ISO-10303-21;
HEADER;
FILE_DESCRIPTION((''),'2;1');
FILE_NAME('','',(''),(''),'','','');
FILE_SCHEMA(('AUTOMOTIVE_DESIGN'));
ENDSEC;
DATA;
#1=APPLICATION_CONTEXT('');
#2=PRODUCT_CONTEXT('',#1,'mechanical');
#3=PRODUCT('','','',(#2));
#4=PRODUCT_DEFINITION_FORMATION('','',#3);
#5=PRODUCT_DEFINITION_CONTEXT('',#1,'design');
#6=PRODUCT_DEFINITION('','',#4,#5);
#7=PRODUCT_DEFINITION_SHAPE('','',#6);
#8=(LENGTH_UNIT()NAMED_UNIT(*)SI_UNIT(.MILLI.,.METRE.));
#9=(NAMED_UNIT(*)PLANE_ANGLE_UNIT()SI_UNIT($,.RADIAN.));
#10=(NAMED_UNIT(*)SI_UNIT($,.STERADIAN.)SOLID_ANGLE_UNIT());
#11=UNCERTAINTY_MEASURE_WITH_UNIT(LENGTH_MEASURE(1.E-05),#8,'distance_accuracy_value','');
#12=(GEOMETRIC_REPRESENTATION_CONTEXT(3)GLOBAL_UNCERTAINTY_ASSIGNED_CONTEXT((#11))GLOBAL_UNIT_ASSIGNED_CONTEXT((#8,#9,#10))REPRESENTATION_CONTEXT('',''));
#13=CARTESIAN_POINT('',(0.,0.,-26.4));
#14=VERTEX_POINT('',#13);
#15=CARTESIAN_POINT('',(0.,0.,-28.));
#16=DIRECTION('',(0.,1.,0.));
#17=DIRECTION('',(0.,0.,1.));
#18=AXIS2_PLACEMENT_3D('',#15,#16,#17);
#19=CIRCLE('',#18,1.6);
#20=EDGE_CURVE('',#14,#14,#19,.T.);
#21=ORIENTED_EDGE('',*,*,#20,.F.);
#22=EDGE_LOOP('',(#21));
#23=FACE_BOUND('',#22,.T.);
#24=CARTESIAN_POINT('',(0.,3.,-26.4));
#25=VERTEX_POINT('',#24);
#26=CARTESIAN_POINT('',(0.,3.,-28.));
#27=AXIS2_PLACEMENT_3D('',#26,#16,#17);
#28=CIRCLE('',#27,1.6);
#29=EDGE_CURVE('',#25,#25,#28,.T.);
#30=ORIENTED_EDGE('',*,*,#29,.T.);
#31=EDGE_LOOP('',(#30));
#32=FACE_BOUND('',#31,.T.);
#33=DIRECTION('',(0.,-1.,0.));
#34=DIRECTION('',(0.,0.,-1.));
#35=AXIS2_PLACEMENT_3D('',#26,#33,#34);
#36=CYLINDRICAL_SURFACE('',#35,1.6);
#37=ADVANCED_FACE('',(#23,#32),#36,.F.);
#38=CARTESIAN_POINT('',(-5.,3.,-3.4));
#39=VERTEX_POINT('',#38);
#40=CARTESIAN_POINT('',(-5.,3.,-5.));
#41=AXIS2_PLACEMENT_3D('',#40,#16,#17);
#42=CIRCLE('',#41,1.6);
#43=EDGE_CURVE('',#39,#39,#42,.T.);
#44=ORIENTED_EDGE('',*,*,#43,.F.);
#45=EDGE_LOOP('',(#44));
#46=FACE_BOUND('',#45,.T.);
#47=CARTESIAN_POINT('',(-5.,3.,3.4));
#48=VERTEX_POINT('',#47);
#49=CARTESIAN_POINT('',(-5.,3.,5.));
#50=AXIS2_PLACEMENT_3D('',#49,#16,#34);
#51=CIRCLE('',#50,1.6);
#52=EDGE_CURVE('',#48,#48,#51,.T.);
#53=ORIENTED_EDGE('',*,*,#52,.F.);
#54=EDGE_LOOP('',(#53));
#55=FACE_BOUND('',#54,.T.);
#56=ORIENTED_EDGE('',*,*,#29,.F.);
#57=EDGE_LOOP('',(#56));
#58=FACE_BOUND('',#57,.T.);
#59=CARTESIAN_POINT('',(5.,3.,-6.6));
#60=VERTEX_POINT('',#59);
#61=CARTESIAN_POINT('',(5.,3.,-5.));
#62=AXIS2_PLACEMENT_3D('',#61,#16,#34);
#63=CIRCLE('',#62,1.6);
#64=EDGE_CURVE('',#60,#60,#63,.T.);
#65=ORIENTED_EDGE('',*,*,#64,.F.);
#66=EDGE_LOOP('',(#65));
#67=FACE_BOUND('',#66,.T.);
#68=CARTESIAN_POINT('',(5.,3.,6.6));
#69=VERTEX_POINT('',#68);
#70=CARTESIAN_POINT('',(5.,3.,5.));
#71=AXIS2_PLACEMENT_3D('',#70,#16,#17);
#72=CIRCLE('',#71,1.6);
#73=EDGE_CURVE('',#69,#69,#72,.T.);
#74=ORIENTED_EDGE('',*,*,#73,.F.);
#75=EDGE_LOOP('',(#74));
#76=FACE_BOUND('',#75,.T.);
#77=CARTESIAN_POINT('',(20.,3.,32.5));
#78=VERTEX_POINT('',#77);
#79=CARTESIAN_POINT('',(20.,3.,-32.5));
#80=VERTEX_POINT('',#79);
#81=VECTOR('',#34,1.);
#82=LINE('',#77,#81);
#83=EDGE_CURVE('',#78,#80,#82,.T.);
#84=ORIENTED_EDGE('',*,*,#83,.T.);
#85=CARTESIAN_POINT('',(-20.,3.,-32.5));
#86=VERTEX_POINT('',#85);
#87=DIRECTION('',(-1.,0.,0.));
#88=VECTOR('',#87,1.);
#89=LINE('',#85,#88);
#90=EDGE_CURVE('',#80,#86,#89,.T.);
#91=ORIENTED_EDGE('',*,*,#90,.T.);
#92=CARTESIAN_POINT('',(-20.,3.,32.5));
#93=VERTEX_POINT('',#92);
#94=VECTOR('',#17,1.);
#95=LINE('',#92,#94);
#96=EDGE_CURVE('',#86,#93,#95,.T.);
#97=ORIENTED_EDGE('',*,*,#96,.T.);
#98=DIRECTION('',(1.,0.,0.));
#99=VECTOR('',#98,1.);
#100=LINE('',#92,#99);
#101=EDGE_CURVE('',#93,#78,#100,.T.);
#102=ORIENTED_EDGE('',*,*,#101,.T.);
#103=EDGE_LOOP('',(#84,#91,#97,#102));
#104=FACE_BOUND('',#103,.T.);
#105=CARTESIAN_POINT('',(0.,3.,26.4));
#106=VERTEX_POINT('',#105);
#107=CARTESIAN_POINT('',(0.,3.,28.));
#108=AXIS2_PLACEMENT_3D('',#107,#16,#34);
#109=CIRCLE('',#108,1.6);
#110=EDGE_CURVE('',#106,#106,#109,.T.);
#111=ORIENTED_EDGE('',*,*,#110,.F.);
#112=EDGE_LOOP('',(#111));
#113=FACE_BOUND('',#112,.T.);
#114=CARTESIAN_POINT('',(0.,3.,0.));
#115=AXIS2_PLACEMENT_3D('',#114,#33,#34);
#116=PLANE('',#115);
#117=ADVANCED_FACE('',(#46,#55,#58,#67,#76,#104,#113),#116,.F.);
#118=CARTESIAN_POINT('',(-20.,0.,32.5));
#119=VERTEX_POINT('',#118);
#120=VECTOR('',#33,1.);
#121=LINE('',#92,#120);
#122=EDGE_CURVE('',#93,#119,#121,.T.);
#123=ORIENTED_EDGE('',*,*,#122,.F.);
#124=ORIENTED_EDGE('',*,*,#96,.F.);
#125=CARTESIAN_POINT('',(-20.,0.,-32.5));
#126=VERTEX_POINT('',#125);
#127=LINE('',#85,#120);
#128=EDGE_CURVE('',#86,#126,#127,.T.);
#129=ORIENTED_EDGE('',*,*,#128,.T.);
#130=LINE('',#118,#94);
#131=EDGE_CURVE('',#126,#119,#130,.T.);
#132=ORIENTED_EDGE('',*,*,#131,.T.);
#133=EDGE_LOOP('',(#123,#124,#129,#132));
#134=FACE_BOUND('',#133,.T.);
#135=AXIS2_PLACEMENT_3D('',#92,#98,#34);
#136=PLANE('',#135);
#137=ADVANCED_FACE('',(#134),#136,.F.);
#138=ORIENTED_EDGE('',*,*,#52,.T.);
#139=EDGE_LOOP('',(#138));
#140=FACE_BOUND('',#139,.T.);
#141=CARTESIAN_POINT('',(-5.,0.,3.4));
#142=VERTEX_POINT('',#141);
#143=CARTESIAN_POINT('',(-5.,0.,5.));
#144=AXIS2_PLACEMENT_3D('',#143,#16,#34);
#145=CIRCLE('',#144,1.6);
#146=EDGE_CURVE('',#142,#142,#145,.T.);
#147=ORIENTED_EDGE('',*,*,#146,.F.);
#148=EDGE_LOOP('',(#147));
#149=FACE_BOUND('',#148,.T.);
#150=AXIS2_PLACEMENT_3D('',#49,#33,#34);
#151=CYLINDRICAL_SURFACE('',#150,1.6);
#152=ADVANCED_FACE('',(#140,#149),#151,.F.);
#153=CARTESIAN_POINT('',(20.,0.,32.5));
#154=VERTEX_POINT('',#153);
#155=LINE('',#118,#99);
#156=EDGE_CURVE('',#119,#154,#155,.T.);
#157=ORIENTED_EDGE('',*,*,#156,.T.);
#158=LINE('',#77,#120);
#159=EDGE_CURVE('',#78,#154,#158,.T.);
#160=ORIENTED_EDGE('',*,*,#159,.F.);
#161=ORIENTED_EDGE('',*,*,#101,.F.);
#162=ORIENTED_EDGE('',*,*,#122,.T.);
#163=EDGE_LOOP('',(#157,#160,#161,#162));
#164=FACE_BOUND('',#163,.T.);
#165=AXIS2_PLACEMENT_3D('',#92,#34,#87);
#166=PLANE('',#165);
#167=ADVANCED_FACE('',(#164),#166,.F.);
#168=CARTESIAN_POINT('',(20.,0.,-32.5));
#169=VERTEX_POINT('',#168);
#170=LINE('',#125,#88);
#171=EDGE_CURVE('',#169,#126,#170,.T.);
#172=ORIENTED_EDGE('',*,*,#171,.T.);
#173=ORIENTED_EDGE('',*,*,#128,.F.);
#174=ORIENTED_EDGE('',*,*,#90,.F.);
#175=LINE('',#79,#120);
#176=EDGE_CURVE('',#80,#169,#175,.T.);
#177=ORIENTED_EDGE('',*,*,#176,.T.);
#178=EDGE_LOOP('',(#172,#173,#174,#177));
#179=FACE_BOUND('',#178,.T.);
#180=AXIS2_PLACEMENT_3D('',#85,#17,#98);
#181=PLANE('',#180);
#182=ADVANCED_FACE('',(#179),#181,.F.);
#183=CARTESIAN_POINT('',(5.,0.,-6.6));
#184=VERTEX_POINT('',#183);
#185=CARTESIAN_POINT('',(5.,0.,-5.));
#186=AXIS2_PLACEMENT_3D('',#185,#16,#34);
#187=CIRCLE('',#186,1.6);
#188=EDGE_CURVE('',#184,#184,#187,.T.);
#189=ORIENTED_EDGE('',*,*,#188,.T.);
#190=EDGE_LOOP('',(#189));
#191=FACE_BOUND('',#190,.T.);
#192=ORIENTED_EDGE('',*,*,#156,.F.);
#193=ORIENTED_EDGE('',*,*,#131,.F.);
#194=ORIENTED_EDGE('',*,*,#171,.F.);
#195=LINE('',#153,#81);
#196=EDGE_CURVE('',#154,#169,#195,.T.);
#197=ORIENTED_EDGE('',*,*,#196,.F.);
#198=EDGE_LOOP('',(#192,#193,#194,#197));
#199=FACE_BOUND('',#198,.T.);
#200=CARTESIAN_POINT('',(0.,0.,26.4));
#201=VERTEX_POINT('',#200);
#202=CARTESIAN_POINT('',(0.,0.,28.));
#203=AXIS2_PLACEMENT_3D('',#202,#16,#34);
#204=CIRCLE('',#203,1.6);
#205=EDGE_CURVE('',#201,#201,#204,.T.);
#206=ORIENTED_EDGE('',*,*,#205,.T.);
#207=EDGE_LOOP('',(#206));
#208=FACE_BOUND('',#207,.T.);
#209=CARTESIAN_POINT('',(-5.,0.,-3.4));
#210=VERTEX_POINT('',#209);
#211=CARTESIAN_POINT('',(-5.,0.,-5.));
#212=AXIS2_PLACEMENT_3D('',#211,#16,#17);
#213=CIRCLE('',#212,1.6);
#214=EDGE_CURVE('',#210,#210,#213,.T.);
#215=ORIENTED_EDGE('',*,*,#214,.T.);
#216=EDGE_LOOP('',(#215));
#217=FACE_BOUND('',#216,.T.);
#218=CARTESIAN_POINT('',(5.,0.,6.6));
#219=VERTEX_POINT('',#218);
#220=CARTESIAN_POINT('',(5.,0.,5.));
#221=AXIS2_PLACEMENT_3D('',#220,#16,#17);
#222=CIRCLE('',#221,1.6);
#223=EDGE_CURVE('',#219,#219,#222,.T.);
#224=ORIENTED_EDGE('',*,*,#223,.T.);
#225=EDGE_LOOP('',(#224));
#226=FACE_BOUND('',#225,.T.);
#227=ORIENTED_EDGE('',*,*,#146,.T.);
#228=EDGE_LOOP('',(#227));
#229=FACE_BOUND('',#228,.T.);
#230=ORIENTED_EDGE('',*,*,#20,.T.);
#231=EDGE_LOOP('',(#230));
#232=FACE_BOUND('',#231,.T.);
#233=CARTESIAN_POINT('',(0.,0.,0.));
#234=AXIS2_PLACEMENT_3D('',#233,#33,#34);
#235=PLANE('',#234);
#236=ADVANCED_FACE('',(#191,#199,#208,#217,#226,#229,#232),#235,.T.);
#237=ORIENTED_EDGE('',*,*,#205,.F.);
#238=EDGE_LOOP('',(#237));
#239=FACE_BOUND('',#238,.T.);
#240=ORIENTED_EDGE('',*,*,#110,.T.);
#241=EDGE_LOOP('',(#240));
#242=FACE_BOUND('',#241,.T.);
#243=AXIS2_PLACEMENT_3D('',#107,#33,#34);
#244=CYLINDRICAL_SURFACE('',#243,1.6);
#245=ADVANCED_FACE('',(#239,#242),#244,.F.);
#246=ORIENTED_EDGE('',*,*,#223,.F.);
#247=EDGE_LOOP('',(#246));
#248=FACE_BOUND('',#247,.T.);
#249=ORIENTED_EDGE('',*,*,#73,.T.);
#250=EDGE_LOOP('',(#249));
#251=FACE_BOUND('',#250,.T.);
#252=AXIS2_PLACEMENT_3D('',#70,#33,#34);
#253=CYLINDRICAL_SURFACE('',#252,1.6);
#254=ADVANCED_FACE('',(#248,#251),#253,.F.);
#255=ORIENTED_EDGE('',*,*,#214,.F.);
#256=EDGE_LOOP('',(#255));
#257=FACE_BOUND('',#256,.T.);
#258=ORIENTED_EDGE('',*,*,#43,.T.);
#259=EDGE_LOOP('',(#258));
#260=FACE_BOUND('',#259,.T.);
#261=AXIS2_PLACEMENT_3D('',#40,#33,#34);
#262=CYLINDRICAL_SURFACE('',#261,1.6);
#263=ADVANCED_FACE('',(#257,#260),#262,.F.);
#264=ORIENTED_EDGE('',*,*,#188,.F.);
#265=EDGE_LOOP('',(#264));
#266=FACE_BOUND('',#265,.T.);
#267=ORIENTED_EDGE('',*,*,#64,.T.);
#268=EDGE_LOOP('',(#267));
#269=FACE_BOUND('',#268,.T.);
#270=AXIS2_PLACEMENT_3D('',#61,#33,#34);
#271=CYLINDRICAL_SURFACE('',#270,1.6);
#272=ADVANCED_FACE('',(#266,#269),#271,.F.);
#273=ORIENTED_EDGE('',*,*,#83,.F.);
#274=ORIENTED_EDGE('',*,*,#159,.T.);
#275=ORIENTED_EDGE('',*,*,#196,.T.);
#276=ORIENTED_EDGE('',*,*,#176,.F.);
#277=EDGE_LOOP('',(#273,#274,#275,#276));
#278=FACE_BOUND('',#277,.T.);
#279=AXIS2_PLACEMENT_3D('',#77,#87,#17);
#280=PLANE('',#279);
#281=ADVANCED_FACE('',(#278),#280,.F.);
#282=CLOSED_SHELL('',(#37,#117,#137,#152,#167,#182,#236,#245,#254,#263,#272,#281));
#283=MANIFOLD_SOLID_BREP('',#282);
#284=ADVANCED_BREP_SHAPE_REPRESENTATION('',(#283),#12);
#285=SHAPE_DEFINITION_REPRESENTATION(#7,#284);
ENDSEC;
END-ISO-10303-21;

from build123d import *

# Parameters (mm, degrees)
SKETCH_1_W      = 40
SKETCH_1_H      = 65
SKETCH_1_R      = 1.6
EXTRUDE_1_DEPTH = 3


with BuildPart() as part:
    # 草图1 → 凸台-拉伸1 (new body)
    with BuildSketch(Plane(origin=(0, 0, 0), x_dir=(1, 0, 0), z_dir=(0, 1, 0))):
        Rectangle(SKETCH_1_W, SKETCH_1_H)
        with Locations(Location((-5, 5, 0), (0, 0, 270))):
            Circle(SKETCH_1_R, mode=Mode.SUBTRACT)
        with Locations(Location((-5, -5, 0), (0, 0, 90))):
            Circle(SKETCH_1_R, mode=Mode.SUBTRACT)
        with Locations(Location((5, -5, 0), (0, 0, 270))):
            Circle(SKETCH_1_R, mode=Mode.SUBTRACT)
        with Locations(Location((5, 5, 0), (0, 0, 90))):
            Circle(SKETCH_1_R, mode=Mode.SUBTRACT)
        with Locations(Location((0, 28, 0), (0, 0, 270))):
            Circle(SKETCH_1_R, mode=Mode.SUBTRACT)
        with Locations(Location((0, -28, 0), (0, 0, 90))):
            Circle(SKETCH_1_R, mode=Mode.SUBTRACT)
    extrude(amount=EXTRUDE_1_DEPTH)


solid = part.part
